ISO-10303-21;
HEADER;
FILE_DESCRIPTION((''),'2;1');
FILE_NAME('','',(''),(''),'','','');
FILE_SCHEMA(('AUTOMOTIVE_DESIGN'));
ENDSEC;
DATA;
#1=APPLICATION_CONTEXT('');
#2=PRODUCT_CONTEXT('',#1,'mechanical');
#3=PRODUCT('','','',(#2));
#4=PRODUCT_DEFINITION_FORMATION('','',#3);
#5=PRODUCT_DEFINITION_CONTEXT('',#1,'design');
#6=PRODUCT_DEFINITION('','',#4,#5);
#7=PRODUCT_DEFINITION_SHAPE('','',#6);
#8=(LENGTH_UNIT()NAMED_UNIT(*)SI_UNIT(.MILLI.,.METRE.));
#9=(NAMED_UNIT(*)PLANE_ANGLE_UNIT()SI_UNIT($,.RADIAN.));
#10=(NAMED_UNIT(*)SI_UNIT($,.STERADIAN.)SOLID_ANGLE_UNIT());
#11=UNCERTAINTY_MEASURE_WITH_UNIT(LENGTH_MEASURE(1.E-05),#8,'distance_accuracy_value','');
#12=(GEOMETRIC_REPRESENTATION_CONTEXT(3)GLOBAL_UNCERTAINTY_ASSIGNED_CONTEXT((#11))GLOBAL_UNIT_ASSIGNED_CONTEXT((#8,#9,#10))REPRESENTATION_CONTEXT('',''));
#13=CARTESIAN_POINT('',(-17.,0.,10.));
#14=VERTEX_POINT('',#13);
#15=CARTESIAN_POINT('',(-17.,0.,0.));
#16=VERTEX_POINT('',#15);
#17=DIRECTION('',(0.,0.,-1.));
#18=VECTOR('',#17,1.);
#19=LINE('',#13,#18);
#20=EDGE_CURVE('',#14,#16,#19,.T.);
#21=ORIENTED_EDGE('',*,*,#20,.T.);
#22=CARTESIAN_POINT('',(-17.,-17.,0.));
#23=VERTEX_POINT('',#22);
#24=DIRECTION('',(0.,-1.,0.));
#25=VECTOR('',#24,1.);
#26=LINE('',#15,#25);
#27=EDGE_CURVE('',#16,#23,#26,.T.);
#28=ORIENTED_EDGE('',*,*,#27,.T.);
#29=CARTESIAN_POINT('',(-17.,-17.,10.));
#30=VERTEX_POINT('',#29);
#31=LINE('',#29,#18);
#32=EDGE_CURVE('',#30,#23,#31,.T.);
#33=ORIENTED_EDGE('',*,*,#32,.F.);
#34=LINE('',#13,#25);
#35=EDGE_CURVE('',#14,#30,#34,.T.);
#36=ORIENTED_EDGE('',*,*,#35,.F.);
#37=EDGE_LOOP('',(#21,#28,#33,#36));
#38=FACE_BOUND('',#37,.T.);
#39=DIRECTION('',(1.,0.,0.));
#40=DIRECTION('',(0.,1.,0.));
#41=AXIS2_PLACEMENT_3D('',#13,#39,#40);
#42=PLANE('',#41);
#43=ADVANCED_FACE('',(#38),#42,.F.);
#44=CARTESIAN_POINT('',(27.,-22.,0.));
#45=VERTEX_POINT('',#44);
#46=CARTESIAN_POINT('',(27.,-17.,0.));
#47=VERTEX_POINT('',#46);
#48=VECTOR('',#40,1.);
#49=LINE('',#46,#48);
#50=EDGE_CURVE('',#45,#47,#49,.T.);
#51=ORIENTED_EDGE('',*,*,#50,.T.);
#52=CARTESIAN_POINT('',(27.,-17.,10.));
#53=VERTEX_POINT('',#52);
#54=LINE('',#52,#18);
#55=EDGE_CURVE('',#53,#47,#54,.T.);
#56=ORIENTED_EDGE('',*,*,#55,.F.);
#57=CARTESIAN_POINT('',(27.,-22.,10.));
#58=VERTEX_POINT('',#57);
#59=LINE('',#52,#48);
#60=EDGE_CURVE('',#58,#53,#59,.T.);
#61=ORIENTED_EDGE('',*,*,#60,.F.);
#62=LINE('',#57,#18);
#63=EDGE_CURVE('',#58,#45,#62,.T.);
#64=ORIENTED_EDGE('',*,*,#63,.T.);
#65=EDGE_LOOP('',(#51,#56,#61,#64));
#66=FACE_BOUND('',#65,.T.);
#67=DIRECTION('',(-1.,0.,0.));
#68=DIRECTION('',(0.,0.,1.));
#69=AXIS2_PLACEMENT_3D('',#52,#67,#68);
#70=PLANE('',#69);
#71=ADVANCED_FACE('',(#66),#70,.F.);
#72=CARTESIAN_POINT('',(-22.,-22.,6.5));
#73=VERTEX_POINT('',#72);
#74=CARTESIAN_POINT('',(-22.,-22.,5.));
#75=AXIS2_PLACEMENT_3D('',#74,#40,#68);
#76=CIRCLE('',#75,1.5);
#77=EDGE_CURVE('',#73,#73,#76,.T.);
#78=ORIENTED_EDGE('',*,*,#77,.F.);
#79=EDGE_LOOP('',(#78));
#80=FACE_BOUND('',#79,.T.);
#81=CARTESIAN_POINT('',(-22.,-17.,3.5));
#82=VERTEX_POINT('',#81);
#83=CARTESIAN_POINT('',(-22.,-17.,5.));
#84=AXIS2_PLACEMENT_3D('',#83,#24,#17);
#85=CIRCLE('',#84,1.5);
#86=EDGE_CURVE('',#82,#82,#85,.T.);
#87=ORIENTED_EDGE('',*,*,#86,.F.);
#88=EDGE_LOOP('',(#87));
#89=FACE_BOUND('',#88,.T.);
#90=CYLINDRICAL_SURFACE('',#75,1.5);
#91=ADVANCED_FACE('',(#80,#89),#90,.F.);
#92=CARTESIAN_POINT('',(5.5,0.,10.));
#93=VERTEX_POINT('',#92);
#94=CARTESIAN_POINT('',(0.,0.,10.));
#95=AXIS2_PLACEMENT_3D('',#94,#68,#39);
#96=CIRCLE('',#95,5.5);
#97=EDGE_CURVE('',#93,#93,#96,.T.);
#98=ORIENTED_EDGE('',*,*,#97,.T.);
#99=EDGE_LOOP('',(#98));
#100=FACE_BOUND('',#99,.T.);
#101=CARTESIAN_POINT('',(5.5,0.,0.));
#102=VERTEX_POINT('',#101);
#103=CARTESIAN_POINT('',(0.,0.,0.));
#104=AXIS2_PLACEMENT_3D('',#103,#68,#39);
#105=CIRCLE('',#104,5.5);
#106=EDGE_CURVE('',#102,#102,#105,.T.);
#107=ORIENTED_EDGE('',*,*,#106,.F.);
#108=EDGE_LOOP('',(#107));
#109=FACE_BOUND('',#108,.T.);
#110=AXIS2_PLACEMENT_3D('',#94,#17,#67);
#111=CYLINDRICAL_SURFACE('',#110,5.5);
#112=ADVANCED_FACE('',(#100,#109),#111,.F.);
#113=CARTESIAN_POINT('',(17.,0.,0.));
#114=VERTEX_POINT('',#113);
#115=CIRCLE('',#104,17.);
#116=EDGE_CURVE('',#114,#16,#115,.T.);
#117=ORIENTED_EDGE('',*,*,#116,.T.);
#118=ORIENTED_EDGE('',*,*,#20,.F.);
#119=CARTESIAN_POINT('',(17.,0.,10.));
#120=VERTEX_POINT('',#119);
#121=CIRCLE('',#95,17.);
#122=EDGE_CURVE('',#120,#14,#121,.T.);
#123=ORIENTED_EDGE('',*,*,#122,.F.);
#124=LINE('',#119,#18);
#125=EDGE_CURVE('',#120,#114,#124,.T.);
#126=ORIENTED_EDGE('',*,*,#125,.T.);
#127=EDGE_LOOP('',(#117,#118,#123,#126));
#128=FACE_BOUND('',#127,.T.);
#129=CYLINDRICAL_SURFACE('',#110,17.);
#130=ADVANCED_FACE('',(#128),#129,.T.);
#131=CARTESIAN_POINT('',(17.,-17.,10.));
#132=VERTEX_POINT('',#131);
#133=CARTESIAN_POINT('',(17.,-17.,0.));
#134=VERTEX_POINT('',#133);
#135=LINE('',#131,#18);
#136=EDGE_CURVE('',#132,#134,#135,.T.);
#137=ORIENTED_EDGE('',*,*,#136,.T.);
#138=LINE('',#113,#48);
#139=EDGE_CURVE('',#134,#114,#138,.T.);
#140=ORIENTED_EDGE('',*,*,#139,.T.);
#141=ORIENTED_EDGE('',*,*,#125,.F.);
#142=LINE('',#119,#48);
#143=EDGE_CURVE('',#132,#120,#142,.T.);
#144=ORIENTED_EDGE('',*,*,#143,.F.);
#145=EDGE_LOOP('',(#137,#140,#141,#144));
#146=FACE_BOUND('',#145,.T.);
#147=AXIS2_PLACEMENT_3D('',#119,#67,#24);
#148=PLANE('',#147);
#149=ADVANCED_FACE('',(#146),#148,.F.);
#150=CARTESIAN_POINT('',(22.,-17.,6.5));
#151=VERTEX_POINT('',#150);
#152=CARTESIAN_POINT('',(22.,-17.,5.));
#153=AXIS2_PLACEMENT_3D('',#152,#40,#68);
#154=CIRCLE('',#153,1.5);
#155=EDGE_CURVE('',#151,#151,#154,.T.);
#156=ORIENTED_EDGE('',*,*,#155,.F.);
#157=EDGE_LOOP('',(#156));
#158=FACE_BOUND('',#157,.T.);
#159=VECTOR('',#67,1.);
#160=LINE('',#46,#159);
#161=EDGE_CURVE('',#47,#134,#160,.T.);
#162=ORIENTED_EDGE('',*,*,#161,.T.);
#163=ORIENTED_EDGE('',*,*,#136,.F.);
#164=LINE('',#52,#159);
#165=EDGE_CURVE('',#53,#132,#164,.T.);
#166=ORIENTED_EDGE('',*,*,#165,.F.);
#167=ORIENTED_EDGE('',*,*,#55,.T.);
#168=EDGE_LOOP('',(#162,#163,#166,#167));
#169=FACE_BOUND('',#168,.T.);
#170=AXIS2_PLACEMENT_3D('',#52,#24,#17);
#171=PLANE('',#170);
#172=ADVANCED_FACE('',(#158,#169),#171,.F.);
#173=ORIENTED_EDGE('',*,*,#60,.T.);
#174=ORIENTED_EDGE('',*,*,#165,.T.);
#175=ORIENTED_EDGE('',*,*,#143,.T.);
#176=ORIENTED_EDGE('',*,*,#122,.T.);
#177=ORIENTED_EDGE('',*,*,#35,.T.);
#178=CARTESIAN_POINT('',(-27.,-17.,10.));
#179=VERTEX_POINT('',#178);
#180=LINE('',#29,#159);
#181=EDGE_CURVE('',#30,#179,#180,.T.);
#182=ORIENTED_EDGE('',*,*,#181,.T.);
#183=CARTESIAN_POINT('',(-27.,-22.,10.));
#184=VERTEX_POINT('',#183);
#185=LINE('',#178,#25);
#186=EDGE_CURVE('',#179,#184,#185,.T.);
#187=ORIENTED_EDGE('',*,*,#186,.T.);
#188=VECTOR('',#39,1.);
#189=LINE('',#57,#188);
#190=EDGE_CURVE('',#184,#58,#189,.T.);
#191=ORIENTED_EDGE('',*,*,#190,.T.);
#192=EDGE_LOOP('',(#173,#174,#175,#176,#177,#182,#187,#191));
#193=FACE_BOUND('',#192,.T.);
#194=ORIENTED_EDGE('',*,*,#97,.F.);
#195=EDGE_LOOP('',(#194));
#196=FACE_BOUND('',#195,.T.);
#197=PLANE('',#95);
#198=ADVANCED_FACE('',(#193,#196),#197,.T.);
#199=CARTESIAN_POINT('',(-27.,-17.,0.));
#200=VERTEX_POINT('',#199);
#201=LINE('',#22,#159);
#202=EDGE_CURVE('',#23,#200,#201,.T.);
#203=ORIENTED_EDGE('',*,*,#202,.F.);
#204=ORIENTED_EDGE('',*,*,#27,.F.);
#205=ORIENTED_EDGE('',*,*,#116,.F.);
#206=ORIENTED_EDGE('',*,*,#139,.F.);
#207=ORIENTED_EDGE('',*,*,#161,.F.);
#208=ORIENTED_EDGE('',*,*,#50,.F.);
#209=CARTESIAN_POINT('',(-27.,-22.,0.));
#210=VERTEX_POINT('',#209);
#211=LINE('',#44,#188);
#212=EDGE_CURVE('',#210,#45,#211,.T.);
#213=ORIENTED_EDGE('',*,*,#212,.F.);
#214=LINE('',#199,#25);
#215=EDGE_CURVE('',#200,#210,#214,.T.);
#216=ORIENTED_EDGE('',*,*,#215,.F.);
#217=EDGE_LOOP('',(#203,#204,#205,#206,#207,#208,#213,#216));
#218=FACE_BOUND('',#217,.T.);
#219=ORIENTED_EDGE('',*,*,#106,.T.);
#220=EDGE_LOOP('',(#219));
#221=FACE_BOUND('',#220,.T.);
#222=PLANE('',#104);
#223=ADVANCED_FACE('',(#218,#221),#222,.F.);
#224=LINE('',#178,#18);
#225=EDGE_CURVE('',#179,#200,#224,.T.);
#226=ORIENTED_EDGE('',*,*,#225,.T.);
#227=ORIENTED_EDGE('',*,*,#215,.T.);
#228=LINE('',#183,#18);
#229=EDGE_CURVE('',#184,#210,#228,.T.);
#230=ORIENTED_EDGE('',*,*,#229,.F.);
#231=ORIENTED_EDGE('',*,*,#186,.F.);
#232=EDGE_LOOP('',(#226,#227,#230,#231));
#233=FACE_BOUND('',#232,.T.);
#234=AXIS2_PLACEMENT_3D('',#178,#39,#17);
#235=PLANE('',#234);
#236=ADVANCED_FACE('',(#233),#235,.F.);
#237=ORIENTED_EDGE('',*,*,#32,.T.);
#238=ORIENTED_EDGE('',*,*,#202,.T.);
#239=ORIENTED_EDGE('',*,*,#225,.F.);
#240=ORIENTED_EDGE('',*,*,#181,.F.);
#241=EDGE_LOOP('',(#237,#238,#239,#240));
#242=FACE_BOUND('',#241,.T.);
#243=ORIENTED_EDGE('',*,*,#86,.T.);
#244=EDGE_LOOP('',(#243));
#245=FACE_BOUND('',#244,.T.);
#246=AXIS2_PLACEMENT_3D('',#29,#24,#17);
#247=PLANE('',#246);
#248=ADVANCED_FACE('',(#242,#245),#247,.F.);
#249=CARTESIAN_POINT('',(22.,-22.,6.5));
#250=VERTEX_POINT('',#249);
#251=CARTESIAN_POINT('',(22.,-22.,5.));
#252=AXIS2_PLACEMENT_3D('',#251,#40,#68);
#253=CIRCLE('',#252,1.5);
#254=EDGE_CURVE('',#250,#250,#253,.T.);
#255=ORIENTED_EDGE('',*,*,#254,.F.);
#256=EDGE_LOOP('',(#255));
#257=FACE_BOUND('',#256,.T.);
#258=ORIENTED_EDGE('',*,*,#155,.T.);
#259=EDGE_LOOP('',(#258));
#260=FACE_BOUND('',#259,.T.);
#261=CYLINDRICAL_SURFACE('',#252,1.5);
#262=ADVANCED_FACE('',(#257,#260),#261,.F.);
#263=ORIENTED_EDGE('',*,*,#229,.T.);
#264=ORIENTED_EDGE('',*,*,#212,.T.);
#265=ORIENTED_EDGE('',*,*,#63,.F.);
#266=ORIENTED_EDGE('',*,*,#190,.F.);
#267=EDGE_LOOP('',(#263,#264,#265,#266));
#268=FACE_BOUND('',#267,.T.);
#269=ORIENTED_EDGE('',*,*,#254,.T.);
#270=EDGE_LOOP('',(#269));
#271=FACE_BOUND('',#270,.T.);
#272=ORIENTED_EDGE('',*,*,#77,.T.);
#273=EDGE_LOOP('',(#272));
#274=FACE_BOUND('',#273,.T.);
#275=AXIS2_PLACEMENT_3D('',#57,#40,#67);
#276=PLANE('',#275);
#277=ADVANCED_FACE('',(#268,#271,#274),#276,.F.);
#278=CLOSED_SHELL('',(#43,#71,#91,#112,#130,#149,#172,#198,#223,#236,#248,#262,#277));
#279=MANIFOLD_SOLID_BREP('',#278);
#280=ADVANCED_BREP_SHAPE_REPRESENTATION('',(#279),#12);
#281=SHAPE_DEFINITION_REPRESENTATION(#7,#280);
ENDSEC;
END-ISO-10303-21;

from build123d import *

# Parameters (mm, degrees)
SKETCH_3_R               = 5.5
EXTRUDE_1_DEPTH          = 10
SKETCH_4_R               = 1.5
CUT_EXTRUDE_1_DEPTH      = 45.55333882
CUT_EXTRUDE_2_DEPTH      = 45.55333882
CUT_EXTRUDE_2_DEPTH_BACK = 45.55333882
SKETCH_5_R               = 1.5


with BuildPart() as part:
    # Эскиз3 → Бобышка-Вытянуть1 (new body)
    with BuildSketch(Plane.XY):
        with BuildLine():
            Line((-17, 0), (-17, -17))
            Line((-17, -17), (-27, -17))
            Line((-27, -17), (-27, -22))
            Line((-27, -22), (27, -22))
            Line((27, -22), (27, -17))
            Line((27, -17), (17, -17))
            Line((17, -17), (17, 0))
            ThreePointArc((17, 0), (0, 17), (-17, 0))
        make_face()
        Circle(SKETCH_3_R, mode=Mode.SUBTRACT)
    extrude(amount=EXTRUDE_1_DEPTH)

    # Эскиз4 → Вырез-Вытянуть1 (cut, through all)
    with BuildSketch(Plane(origin=(0, -17, 0), x_dir=(1, 0, 0), z_dir=(0, 1, 0))):
        with Locations(Location((22, -5, 0), (0, 0, 270))):
            Circle(SKETCH_4_R)
    extrude(amount=-CUT_EXTRUDE_1_DEPTH, mode=Mode.SUBTRACT)

    # Эскиз5 → Вырез-Вытянуть2 (cut, two sides: drawn at the far end of the back side and taken through both)
    with BuildSketch(Plane(origin=(0, -17, 0), x_dir=(1, 0, 0), z_dir=(0, 1, 0)).offset(-CUT_EXTRUDE_2_DEPTH_BACK)):
        with Locations(Location((-22, -5, 0), (0, 0, 270))):
            Circle(SKETCH_5_R)
    extrude(amount=CUT_EXTRUDE_2_DEPTH + CUT_EXTRUDE_2_DEPTH_BACK, mode=Mode.SUBTRACT)


solid = part.part
